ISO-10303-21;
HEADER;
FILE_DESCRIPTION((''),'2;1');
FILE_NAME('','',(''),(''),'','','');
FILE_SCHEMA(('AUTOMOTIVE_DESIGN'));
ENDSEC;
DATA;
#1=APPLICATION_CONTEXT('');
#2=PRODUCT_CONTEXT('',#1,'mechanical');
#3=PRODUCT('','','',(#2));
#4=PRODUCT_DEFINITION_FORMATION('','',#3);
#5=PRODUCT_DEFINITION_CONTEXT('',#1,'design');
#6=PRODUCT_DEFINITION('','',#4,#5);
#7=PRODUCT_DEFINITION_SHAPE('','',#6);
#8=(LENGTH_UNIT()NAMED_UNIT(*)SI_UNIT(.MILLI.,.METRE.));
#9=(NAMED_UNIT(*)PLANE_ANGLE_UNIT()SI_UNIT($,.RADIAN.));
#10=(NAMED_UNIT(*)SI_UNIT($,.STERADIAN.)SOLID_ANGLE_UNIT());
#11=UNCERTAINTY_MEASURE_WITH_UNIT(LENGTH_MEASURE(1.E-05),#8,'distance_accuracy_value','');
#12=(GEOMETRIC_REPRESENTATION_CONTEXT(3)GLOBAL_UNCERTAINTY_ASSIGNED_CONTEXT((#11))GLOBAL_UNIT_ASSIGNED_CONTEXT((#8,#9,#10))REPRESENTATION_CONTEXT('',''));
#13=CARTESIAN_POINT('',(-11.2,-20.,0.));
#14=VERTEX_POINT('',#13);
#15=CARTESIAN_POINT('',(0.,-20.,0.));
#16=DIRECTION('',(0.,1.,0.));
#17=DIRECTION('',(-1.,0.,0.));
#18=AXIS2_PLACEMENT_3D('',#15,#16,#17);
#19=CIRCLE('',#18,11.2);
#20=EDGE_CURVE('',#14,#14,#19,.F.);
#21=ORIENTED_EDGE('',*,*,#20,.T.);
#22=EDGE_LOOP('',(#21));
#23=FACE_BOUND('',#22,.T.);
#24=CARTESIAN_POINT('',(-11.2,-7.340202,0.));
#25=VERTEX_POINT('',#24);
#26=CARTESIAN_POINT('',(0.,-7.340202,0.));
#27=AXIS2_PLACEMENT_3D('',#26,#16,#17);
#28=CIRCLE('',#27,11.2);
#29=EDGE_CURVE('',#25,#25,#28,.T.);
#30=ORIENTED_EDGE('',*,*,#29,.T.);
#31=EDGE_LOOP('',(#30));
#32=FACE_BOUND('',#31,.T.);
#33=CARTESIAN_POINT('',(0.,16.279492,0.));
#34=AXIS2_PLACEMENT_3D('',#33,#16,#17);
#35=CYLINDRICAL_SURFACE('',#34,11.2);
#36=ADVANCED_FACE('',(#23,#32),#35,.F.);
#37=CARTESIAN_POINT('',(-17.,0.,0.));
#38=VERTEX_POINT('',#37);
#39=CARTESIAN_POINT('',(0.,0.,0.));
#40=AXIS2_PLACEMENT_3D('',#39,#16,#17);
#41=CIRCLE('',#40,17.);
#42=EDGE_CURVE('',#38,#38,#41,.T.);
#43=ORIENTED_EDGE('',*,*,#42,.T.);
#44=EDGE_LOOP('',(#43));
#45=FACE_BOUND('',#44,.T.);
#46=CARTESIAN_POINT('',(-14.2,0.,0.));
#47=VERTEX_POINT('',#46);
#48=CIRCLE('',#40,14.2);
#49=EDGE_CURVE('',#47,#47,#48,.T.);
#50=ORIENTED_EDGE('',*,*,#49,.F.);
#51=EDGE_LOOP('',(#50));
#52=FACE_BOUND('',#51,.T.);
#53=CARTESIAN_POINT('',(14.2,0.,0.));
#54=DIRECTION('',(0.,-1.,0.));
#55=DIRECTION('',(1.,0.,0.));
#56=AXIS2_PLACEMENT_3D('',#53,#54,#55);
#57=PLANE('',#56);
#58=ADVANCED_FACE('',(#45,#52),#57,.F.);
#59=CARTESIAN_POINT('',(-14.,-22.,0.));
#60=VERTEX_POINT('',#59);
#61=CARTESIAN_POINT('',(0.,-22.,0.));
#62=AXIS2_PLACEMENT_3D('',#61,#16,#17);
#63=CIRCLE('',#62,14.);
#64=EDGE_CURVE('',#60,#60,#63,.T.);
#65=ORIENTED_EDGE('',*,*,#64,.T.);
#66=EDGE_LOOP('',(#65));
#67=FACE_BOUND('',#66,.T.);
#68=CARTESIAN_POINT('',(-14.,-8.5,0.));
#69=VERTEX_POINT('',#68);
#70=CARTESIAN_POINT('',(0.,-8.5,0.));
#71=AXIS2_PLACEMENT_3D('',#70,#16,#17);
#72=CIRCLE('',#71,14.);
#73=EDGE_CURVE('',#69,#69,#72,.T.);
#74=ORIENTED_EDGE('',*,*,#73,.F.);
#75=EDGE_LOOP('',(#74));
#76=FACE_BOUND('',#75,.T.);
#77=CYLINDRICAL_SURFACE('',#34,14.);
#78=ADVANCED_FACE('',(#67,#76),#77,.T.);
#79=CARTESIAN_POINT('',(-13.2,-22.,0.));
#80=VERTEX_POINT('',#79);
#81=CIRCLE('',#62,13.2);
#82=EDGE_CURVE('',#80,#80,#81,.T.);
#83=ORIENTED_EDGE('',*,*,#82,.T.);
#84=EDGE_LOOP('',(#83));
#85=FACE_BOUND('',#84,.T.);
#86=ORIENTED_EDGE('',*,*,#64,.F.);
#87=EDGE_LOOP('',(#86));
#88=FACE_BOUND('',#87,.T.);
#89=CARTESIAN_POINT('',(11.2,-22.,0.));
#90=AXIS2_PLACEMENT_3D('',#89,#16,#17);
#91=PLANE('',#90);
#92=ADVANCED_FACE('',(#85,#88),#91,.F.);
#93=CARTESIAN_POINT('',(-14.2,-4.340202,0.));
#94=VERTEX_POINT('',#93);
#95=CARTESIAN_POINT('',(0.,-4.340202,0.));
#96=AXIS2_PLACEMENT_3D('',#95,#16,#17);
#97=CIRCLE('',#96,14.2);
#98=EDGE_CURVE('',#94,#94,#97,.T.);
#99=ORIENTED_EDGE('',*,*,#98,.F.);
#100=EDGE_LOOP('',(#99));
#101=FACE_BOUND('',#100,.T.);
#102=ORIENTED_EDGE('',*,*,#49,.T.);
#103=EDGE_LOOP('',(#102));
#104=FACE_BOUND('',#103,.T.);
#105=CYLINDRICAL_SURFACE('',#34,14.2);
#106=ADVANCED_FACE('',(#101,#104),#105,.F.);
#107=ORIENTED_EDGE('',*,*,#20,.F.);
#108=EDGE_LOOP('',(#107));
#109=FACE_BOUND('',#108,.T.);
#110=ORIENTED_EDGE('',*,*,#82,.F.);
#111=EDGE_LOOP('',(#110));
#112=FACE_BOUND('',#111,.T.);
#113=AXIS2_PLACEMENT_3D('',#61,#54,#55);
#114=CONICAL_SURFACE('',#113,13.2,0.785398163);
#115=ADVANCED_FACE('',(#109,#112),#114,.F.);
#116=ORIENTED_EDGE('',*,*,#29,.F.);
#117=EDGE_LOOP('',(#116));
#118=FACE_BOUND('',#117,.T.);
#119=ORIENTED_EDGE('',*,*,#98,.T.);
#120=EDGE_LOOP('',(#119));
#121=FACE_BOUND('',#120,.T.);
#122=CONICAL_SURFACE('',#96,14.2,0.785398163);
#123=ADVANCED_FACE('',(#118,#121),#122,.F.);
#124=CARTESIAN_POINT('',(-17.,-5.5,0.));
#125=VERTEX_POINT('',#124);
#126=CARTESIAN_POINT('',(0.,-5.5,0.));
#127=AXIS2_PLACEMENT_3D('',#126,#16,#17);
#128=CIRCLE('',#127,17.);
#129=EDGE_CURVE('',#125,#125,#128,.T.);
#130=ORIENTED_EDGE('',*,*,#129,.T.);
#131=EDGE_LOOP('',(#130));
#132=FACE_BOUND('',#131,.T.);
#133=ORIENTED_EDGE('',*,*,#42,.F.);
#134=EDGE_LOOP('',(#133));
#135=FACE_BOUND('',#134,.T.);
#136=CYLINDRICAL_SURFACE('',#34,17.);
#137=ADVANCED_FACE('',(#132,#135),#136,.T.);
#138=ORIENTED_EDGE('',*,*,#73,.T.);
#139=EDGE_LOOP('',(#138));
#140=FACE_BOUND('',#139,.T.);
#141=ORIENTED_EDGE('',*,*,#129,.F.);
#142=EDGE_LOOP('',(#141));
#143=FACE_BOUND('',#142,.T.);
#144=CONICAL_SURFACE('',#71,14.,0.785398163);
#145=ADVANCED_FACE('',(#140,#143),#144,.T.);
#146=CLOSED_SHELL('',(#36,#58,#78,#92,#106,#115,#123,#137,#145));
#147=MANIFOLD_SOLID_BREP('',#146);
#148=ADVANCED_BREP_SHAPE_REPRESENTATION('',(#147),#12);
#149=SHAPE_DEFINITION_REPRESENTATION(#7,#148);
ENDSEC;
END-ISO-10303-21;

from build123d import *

# Parameters (mm, degrees)
CHAMFER1_SIZE = 2


with BuildPart() as part:
    # Sketch1 → Revolve1 (revolve)
    with BuildSketch(Plane.XY, mode=Mode.PRIVATE) as revolve1_sk:
        Polygon((17, 0), (17, -5.5), (14, -8.5), (14, -22), (11.2, -22), (11.2, -7.340202025), (14.2, -4.340202025), (14.2, 0), align=None)
    revolve(revolve1_sk.sketch.rotate(Axis((0, 16.279491968, 0), (0, -1, 0)), 180), axis=Axis((0, 16.279491968, 0), (0, -1, 0)))

    # Chamfer1
    chamfer1_edges = [part.edges().sort_by_distance(p)[0] for p in [
        (11.2, -22, 0),
    ]]
    chamfer(chamfer1_edges, length=CHAMFER1_SIZE)


solid = part.part
